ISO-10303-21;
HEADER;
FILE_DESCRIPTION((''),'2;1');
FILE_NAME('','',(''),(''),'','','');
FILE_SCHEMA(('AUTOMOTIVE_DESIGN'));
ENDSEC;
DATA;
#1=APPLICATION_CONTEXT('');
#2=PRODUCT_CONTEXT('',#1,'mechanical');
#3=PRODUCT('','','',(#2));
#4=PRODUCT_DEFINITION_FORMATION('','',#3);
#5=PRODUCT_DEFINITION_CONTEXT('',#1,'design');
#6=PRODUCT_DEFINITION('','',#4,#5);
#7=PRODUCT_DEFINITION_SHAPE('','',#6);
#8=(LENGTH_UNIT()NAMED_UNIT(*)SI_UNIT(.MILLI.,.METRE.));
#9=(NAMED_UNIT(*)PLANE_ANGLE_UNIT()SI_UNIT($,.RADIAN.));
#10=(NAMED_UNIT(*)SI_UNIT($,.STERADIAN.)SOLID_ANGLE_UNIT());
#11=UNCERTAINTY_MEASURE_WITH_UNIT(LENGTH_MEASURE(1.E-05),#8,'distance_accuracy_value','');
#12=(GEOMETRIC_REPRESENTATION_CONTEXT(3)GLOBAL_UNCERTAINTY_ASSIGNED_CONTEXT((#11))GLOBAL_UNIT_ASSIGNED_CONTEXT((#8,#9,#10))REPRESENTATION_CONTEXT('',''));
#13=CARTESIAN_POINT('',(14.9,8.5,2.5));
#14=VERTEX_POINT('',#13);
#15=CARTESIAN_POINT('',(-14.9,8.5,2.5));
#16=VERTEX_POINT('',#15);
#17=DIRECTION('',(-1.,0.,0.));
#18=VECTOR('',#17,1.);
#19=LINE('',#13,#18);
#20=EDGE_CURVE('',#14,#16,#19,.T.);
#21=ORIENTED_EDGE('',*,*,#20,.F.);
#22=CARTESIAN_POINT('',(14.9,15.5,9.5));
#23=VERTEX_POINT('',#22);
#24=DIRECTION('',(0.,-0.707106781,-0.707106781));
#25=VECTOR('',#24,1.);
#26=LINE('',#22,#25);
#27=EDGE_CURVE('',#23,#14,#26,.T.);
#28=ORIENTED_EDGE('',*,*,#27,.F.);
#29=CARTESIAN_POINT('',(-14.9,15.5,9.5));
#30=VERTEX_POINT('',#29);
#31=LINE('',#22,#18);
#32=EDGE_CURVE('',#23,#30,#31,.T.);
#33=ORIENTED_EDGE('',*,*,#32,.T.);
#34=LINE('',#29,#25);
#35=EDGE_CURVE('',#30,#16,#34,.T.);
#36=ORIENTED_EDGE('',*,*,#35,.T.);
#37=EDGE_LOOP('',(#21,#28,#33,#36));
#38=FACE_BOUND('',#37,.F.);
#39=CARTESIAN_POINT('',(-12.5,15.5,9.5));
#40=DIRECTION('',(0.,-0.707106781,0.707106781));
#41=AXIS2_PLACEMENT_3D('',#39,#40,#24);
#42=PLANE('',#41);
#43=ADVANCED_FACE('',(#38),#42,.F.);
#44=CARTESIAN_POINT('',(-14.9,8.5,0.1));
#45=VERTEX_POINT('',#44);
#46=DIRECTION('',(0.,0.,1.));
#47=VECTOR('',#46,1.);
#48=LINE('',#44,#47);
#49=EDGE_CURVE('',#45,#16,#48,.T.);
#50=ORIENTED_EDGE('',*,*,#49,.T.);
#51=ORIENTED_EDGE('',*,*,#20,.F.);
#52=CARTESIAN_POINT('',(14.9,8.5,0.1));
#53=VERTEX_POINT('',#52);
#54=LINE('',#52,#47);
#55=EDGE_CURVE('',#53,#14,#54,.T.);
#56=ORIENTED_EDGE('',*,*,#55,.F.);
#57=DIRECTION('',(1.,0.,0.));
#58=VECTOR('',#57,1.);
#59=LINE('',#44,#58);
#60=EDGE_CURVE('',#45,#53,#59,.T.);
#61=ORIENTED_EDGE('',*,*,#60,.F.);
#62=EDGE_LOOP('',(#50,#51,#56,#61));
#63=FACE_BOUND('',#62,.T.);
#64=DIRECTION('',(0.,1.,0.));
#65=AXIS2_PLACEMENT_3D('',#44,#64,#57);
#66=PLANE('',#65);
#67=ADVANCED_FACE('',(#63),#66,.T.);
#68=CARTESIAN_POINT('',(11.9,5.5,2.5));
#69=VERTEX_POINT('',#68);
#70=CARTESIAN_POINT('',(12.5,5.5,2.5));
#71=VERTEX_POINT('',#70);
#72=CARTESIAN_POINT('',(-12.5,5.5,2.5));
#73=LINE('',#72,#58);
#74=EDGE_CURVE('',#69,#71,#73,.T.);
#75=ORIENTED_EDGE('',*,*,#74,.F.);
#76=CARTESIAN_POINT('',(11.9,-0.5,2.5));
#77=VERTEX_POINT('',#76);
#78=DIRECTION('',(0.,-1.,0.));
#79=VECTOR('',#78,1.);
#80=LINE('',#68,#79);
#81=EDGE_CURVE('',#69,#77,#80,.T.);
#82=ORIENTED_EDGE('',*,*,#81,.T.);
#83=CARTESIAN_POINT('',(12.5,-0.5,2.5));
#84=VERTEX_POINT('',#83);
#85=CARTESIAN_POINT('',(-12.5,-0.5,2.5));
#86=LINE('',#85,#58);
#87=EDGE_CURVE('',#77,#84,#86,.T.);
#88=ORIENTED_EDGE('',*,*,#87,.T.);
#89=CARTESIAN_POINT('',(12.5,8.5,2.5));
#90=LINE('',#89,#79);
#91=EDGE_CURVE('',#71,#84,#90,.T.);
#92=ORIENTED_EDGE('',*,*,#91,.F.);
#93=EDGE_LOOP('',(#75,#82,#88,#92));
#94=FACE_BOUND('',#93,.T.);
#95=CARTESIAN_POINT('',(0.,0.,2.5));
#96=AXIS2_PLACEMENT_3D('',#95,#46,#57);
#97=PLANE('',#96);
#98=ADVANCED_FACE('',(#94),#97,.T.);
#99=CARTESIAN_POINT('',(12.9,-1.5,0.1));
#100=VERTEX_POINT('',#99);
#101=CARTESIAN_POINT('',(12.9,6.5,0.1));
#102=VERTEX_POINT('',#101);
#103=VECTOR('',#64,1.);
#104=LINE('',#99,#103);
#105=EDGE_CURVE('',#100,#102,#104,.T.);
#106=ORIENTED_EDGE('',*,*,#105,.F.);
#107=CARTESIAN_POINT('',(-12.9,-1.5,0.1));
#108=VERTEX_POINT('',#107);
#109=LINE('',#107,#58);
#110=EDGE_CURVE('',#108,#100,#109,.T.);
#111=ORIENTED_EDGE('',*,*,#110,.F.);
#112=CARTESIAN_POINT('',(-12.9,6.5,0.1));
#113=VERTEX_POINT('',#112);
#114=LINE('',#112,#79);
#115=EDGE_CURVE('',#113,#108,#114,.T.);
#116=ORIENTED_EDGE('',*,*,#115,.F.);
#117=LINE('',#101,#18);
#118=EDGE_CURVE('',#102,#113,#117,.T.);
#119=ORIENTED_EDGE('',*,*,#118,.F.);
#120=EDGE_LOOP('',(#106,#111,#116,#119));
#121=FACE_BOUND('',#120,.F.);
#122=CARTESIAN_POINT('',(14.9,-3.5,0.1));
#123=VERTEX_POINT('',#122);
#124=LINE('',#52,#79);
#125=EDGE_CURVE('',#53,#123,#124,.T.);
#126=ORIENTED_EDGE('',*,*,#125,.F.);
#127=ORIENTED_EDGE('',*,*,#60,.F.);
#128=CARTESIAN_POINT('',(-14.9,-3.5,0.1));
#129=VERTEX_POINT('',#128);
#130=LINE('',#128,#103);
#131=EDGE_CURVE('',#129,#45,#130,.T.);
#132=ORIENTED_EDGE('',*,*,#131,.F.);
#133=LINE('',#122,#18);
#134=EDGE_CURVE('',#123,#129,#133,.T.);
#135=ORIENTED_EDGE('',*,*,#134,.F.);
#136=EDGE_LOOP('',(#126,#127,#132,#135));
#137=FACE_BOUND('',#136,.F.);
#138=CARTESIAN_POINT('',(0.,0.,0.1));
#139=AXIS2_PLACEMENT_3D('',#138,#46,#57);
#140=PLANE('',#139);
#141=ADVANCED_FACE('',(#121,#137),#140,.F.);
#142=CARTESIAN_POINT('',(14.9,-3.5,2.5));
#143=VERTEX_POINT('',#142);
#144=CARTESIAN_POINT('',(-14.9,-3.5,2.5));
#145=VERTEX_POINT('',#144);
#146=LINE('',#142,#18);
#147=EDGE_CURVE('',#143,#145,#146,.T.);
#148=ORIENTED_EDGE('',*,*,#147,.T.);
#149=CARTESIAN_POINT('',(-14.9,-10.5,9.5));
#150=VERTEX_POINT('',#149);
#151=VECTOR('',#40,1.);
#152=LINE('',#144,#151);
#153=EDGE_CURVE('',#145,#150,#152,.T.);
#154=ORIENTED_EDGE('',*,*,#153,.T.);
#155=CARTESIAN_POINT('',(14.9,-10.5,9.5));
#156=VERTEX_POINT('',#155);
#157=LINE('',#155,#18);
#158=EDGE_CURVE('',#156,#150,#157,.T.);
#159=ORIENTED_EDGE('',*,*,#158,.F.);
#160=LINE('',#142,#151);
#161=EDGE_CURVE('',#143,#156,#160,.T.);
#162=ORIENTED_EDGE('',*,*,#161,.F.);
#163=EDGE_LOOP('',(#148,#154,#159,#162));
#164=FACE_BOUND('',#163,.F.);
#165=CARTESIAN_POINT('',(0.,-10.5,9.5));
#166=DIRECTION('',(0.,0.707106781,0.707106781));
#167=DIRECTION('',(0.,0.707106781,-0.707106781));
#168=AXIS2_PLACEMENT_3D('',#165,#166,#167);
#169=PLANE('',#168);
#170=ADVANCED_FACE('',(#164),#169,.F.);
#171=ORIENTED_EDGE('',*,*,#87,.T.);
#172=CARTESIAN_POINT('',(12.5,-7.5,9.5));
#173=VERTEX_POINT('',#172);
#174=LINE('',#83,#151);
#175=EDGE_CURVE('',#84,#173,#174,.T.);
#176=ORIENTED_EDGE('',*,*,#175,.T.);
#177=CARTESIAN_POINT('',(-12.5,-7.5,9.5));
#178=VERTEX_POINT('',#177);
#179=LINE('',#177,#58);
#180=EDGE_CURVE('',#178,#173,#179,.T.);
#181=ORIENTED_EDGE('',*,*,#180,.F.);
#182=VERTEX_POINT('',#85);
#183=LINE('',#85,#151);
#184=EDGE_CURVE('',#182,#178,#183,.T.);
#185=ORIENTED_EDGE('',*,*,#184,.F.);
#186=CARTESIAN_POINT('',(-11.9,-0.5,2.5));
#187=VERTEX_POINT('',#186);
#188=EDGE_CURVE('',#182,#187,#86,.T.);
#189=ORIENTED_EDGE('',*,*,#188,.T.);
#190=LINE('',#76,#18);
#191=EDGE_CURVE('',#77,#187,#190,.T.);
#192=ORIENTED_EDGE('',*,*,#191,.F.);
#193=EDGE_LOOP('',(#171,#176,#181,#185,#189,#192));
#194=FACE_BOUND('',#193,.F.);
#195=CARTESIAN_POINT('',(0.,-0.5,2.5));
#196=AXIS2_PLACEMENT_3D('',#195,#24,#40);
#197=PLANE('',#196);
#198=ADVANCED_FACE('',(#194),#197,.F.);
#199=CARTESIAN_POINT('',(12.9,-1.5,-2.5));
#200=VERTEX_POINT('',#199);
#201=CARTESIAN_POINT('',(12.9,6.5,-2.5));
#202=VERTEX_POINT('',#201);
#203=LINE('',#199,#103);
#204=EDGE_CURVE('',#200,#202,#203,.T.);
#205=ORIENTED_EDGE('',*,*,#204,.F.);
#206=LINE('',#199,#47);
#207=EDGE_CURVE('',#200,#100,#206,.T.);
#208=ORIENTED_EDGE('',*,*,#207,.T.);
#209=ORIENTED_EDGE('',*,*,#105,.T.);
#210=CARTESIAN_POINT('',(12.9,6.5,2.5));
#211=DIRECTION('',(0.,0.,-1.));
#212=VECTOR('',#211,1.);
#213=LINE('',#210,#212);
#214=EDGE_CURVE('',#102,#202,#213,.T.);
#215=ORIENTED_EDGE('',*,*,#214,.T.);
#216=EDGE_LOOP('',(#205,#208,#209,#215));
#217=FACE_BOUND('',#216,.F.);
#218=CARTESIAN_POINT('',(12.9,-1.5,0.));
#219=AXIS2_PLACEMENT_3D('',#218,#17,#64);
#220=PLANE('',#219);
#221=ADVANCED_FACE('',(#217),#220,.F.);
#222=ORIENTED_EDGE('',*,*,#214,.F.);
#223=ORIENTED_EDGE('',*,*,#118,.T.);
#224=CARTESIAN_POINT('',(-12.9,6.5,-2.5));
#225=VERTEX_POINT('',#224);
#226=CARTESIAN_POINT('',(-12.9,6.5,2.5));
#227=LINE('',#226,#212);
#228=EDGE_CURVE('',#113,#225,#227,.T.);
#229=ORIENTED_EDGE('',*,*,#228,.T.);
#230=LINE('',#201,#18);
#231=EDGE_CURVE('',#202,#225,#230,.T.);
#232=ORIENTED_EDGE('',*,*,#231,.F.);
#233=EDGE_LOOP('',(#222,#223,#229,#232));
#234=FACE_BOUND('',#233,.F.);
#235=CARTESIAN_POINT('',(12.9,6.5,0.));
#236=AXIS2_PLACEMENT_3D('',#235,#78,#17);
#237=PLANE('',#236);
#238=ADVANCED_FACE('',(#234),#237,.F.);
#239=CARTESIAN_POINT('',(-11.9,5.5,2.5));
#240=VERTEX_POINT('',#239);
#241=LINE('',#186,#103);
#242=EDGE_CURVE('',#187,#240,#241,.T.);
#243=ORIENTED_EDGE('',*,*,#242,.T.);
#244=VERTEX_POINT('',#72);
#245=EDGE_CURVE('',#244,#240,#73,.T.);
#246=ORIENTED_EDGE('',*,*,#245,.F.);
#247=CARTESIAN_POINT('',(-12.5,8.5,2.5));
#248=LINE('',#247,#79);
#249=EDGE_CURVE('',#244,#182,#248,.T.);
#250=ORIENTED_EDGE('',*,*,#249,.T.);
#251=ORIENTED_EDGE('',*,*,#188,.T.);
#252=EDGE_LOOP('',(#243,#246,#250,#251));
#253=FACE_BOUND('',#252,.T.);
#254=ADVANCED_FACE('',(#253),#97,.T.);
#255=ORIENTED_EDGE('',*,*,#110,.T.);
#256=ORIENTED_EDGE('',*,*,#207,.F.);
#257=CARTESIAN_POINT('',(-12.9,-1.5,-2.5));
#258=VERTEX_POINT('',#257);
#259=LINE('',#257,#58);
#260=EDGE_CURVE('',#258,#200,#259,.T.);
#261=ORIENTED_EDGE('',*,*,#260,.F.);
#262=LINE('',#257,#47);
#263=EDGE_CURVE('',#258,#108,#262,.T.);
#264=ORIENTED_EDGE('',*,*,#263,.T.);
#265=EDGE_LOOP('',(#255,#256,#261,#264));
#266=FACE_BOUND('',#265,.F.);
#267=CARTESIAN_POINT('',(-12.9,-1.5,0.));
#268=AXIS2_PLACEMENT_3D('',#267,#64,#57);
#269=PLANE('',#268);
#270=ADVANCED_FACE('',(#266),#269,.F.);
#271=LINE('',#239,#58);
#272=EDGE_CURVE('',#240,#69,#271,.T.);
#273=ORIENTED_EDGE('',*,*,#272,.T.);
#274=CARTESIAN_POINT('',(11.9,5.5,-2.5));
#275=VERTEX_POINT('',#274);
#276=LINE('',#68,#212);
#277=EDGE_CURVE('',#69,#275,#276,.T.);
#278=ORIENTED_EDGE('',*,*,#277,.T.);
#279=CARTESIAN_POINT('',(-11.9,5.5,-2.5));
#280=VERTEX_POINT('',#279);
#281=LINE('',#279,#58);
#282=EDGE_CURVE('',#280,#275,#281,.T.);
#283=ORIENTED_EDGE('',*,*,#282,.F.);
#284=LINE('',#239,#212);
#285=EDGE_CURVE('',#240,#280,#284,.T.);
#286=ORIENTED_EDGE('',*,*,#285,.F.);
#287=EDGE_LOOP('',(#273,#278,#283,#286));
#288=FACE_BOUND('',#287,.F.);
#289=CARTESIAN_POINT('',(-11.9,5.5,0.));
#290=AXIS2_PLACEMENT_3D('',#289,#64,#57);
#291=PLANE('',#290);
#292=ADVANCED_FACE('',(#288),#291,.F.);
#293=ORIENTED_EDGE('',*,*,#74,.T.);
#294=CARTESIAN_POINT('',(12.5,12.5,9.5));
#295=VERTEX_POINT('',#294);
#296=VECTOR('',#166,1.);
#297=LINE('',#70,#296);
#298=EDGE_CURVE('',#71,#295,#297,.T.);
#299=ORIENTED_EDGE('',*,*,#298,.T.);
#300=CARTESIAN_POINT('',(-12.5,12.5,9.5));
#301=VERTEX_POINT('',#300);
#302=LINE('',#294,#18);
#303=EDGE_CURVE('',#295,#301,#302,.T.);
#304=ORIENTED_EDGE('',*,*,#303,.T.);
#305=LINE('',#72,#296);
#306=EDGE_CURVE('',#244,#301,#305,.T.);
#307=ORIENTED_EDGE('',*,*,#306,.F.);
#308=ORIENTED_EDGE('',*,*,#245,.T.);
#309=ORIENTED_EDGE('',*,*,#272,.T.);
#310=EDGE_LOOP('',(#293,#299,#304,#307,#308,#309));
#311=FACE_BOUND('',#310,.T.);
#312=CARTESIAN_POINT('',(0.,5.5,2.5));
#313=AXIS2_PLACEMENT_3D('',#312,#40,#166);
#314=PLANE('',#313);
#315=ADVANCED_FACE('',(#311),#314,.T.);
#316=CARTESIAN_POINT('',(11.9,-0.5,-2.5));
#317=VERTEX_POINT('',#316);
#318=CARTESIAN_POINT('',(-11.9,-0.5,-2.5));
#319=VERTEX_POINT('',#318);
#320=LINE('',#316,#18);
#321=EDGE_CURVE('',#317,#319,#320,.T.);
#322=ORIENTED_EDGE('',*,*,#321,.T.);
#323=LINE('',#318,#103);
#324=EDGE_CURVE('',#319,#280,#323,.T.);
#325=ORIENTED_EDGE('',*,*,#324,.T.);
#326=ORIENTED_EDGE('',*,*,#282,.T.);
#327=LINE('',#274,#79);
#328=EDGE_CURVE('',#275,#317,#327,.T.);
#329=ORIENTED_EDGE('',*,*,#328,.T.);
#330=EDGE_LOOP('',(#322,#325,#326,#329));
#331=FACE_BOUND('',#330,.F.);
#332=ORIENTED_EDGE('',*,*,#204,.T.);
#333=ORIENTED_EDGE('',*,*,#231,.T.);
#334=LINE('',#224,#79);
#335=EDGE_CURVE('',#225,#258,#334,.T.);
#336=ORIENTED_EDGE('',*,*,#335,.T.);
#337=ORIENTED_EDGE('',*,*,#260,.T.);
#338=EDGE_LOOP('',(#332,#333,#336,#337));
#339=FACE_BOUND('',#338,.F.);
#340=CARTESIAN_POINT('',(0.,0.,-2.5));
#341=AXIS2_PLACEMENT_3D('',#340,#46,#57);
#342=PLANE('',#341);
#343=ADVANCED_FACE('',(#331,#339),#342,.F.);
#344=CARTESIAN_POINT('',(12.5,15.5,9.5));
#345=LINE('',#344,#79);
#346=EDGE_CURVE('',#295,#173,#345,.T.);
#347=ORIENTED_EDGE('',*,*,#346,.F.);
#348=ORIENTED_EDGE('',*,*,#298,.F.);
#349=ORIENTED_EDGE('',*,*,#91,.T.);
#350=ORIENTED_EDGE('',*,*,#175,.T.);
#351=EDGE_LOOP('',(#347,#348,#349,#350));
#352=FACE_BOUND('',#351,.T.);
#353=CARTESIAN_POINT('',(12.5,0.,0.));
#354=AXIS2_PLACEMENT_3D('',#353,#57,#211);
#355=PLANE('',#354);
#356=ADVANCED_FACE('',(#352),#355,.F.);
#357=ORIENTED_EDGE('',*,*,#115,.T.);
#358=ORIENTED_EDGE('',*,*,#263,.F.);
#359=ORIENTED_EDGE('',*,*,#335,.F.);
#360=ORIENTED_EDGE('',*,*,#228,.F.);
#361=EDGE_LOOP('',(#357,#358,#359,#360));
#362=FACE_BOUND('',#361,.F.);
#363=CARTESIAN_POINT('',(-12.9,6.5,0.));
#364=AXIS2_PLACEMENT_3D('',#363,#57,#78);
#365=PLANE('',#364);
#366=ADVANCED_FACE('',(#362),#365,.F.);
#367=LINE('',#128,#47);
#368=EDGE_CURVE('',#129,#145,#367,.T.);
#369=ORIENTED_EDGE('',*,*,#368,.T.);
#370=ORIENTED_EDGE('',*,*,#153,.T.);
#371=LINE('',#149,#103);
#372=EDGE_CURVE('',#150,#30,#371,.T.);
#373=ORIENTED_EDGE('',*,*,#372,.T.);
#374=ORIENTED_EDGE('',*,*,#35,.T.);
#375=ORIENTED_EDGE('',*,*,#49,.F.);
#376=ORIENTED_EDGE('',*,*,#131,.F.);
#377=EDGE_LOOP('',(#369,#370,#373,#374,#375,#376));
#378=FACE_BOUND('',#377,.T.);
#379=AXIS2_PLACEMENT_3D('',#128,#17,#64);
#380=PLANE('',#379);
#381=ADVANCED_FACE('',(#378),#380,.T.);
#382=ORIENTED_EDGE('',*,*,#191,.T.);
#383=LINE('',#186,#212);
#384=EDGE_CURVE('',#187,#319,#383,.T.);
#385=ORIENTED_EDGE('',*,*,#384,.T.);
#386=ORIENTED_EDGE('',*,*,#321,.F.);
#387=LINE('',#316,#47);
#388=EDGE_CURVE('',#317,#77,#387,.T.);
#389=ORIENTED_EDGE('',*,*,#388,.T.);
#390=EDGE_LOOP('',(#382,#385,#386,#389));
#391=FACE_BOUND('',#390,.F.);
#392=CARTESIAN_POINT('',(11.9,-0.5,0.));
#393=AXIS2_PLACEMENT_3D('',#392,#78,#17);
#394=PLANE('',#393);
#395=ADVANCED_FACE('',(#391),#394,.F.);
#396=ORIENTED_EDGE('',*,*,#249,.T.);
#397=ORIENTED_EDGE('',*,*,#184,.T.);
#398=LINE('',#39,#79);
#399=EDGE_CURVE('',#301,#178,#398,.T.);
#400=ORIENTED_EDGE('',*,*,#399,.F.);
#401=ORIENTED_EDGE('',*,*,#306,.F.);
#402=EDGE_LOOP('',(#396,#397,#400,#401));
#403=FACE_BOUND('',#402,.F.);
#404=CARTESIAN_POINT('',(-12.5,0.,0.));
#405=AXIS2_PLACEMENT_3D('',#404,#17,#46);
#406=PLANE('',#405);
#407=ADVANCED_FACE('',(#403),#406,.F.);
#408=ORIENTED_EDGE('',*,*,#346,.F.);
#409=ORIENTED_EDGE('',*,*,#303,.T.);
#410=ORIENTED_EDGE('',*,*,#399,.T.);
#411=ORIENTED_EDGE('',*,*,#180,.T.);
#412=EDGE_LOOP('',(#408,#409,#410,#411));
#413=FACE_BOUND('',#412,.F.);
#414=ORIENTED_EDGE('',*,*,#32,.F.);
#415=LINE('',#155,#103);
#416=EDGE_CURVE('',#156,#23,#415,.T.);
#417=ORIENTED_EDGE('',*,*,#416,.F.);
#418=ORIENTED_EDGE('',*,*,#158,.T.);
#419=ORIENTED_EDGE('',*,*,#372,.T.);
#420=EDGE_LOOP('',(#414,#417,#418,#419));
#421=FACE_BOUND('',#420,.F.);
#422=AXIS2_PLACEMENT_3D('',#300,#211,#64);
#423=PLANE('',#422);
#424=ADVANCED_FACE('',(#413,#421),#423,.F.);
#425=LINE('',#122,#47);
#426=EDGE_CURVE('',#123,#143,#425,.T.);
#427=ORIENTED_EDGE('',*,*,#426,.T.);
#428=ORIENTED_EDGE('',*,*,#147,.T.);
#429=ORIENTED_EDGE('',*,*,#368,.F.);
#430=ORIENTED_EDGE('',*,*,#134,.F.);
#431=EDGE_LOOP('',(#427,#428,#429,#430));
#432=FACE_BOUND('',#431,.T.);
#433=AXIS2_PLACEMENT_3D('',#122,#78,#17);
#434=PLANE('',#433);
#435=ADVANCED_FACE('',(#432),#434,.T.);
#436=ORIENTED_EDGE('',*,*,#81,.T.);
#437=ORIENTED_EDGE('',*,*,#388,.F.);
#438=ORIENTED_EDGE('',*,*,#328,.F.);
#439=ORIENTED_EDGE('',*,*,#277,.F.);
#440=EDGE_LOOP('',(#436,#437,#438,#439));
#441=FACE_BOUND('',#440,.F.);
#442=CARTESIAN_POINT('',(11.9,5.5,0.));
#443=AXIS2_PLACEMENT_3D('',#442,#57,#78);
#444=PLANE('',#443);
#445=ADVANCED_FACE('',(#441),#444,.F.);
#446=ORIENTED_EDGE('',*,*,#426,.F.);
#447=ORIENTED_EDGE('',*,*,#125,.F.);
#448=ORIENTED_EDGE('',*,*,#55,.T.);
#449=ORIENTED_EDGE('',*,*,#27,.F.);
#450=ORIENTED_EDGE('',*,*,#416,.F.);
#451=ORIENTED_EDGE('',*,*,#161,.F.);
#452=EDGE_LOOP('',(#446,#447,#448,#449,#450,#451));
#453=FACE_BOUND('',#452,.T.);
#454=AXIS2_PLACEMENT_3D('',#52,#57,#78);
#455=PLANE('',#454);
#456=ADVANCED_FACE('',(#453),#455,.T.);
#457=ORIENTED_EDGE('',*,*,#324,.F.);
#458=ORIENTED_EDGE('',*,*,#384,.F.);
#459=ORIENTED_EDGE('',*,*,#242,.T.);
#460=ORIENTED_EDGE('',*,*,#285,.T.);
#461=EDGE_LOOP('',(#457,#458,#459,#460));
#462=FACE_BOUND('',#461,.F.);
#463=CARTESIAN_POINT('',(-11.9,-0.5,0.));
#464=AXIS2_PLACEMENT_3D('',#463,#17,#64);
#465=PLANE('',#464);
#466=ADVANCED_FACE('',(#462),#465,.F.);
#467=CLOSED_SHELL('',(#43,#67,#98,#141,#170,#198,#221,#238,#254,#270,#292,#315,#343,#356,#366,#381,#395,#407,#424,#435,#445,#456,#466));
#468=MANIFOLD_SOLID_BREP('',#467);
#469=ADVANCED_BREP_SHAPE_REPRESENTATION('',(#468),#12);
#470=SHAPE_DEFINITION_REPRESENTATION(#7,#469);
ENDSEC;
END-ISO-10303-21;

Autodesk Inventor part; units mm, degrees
ref_plane "YZ Plane" through (0, 0, 0) normal (1, 0, 0) x (0, 1, 0)
ref_plane "XZ Plane" through (0, 0, 0) normal (0, 1, 0) x (-1, 0, 0)
ref_plane "XY Plane" through (0, 0, 0) normal (0, 0, 1) x (1, 0, 0)
sketch "Sketch1" plane through (0, 0, 0) normal (0, 0, 1) x (1, 0, 0)
  line L0 (24.7, 6.5) -> (13, 6.5) projected
  line L1 (13, 6.5) -> (13, -1.6) projected
  line L2 (13, -1.6) -> (-13, -1.6) projected
  line L3 (-13, -1.6) -> (-13, 6.5) projected
  line L4 (-13, 6.5) -> (-24.7, 6.5) projected
  line L5 (-24.7, 6.5) -> (-24.7, -6.5) projected
  line L6 (-24.7, -6.5) -> (24.7, -6.5) projected
  line L7 (24.7, -6.5) -> (24.7, 6.5) projected
  line L8 (-24.7, 6.6) -> (24.7, 6.6) projected
  line L9 (24.7, 6.6) -> (24.7, 9.6) projected
  line L10 (-24.7, 9.6) -> (24.7, 9.6) projected
  line L11 (-24.7, 6.6) -> (-24.7, 9.6) projected
  line L12 (-12.9, -1.5) -> (12.9, -1.5)
  line L13 (12.9, -1.5) -> (12.9, 6.5)
  line L14 (12.9, 6.5) -> (-12.9, 6.5)
  line L15 (-12.9, 6.5) -> (-12.9, -1.5)
  line L16 (11.9, -0.5) -> (-11.9, -0.5)
  line L17 (-11.9, -0.5) -> (-11.9, 5.5)
  line L18 (-11.9, 5.5) -> (11.9, 5.5)
  line L19 (11.9, 5.5) -> (11.9, -0.5)
  point P0 (0, 0)
  dimension "d0" = 0.1
  dimension "d1" = 0.1
  dimension "d2" = 0.1
  dimension "d3" = 0.1
  dimension "d4" = 1
extrude "Extrusion1" add sketch "Sketch1" along normal mid plane 5 contours L15 L14 L13 L12
ref_plane "Work Plane1" through (0, 0, 0.1) normal (0, 0, 1) x (1, 0, 0)
sketch "Sketch2" plane through (0, 0, 0.1) normal (0, 0, 1) x (1, 0, 0)
  line L0 (12.9, -1.5) -> (12.9, 6.5) projected
  line L1 (12.9, 6.5) -> (-12.9, 6.5) projected
  line L2 (-12.9, 6.5) -> (-12.9, -1.5) projected
  line L3 (-12.9, -1.5) -> (12.9, -1.5) projected
  line L4 (11.9, -0.5) -> (-11.9, -0.5) projected
  line L5 (-11.9, -0.5) -> (-11.9, 5.5) projected
  line L6 (-11.9, 5.5) -> (11.9, 5.5) projected
  line L7 (11.9, 5.5) -> (11.9, -0.5) projected
  line L8 (-14.9, -3.5) -> (-14.9, 8.5)
  line L9 (-14.9, 8.5) -> (14.9, 8.5)
  line L10 (14.9, 8.5) -> (14.9, -3.5)
  line L11 (14.9, -3.5) -> (-14.9, -3.5)
  point P0 (0, 0)
  dimension "d7" = 2
extrude "Extrusion2" add sketch "Sketch2" along normal up to surface (2.4 mm away) contours L8 L9 L10 L11
sketch "Sketch3" plane through (0, 0, 0) normal (1, 0, 0) x (0, 1, 0)
  line L0 (5.5, -2.5) -> (5.5, 2.5) projected
  line L1 (5.5, 2.5) -> (12.5, 9.5)
  line L2 (12.5, 9.5) -> (15.5, 9.5)
  line L3 (8.5, 2.5) -> (-3.5, 2.5) projected
  line L4 (15.5, 9.5) -> (8.5, 2.5)
  line L5 (2.5, 2.5) -> (2.5, -1.8048)
  line L6 (-0.5, 2.5) -> (-7.5, 9.5)
  line L7 (-7.5, 9.5) -> (-10.5, 9.5)
  line L8 (-10.5, 9.5) -> (-3.5, 2.5)
  point P0 (0, 0)
  dimension "d10" = 20
  dimension "d11" = 45
extrude "Extrusion3" add sketch "Sketch3" along normal mid plane 25
sketch "Sketch4" plane through (-12.5, 0, 0) normal (-1, 0, 0) x (0, 0, 1)
  line L0 (9.5, 12.5) -> (9.5, 15.5) projected
  line L1 (9.5, 15.5) -> (2.5, 8.5) projected
  line L2 (2.5, 5.5) -> (2.5, 8.5) projected
  line L3 (2.5, 5.5) -> (9.5, 12.5) projected
  line L4 (2.5, -3.5) -> (2.5, -0.5) projected
  line L5 (2.5, -3.5) -> (9.5, -10.5) projected
  line L6 (9.5, -10.5) -> (9.5, -7.5) projected
  line L7 (9.5, -7.5) -> (2.5, -0.5) projected
  line L8 (2.5, -3.5) -> (2.5, 8.5) projected
  line L9 (9.5, 15.5) -> (9.5, 12.5) projected
  line L10 (9.5, 12.5) -> (9.5, -7.5)
  point P0 (0, 0)
extrude "Extrusion4" add sketch "Sketch4" along normal up to surface (2.4 mm away)
mirror "Mirror1" about plane through (0, 0, 0) normal (1, 0, 0) of "Extrusion4"
properties part number "solids hopper"
